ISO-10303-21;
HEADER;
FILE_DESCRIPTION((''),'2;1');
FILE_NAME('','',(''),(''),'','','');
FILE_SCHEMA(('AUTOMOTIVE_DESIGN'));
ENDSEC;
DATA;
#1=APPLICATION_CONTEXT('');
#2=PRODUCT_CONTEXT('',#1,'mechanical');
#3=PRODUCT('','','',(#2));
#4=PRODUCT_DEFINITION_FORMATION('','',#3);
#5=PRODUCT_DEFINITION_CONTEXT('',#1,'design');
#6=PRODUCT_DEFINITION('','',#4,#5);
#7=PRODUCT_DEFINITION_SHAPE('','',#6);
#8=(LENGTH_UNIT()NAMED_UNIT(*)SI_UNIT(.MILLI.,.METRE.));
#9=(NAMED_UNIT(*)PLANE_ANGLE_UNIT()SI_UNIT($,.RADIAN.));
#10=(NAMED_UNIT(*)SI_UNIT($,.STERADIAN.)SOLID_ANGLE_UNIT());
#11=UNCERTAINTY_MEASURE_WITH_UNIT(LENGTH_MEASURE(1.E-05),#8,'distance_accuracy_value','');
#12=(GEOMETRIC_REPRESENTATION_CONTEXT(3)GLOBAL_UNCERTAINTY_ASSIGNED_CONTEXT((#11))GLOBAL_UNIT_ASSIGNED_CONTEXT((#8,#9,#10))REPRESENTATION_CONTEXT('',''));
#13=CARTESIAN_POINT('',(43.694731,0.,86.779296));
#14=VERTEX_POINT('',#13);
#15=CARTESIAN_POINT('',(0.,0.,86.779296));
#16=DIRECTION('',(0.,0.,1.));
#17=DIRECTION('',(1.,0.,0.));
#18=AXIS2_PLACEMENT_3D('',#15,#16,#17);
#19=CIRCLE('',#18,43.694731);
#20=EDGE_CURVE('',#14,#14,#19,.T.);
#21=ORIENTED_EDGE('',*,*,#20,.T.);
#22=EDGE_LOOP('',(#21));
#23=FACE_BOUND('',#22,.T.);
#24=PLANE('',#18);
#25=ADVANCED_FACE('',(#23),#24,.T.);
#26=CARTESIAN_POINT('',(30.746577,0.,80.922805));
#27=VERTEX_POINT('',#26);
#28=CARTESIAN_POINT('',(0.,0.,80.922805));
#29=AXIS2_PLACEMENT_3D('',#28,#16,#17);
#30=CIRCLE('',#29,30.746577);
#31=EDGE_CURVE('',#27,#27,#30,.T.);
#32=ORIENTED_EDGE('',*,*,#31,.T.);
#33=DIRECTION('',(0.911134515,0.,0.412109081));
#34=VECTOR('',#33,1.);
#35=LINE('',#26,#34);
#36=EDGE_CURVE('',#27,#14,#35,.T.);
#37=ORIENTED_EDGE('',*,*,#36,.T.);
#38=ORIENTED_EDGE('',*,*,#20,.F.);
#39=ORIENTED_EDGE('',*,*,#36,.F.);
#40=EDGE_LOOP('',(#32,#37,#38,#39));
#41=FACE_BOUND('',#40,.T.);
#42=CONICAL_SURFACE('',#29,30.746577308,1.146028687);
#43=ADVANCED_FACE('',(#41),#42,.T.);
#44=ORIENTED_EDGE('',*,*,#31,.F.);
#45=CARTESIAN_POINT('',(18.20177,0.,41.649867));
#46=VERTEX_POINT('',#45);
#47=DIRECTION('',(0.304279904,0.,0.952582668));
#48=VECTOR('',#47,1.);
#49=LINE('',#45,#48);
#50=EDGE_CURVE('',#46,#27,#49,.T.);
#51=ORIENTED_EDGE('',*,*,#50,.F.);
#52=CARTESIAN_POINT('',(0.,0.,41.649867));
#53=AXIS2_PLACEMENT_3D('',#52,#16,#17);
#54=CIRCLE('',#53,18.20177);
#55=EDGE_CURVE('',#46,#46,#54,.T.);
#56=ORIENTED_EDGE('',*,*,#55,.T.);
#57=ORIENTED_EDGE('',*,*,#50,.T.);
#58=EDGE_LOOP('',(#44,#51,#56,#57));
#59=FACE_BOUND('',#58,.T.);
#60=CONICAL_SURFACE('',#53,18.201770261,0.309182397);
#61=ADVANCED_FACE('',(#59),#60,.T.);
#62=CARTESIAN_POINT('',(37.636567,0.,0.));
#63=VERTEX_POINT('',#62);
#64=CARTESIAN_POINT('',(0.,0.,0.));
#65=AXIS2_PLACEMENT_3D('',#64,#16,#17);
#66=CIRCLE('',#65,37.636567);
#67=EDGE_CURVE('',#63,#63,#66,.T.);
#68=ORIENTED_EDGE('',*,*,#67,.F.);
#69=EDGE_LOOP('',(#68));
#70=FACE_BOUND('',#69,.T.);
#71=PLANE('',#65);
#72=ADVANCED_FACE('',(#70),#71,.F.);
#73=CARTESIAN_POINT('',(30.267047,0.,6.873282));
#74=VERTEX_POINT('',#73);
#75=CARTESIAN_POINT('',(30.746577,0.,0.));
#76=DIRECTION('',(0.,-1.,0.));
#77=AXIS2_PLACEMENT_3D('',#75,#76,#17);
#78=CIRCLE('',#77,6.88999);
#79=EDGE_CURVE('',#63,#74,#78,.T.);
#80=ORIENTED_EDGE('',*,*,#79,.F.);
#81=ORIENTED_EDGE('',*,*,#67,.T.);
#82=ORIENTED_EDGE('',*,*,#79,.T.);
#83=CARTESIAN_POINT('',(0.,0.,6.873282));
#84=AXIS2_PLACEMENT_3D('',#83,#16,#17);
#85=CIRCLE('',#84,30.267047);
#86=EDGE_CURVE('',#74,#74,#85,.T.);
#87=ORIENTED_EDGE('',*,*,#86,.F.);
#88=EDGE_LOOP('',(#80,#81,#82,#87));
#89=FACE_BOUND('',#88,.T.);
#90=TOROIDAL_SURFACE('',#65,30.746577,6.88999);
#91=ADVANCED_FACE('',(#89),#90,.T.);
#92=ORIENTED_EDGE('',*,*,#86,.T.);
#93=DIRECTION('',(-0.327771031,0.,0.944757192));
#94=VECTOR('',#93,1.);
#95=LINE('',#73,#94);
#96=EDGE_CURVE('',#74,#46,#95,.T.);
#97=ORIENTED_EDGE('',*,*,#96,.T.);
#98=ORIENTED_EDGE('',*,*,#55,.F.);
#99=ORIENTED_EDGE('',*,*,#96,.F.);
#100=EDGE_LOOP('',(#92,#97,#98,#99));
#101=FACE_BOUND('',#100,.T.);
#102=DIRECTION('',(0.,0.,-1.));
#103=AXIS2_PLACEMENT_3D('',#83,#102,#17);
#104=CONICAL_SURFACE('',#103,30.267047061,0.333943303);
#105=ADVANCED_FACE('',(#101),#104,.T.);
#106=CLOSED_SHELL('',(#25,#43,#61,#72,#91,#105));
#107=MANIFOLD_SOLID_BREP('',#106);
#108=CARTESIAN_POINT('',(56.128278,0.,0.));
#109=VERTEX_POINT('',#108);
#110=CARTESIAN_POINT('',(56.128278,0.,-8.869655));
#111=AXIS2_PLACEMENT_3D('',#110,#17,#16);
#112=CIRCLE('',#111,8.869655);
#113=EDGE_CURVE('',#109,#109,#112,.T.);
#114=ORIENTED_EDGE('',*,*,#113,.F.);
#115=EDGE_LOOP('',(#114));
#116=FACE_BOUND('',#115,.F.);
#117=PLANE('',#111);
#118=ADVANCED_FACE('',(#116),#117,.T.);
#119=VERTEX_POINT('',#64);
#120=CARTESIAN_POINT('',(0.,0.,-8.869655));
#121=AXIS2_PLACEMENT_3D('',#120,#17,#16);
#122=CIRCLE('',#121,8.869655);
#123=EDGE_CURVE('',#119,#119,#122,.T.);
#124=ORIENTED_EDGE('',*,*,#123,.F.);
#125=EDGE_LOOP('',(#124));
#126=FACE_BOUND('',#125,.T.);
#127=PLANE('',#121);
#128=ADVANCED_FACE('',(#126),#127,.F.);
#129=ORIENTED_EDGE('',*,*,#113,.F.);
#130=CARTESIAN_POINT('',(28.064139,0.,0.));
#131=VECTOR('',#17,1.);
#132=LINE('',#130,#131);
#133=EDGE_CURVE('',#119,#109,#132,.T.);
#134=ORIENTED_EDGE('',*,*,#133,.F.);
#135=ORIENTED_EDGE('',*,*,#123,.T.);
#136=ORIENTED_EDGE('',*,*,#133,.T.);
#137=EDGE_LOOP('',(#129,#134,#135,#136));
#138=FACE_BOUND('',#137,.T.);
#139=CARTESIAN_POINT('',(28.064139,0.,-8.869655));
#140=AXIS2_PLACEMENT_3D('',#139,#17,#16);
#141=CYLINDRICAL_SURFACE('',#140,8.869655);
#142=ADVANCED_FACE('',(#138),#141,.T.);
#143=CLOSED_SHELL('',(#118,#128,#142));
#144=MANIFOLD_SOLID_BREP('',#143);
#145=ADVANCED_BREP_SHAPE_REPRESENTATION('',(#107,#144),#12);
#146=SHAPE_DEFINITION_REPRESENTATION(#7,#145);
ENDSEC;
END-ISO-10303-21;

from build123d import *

# Parameters (mm, degrees)
F2_W = 56.1282783747
F2_H = 8.8696554303


with BuildPart() as f1:
    # F0 (on Front) → F1 (revolve)
    with BuildSketch(Plane.XZ):
        with BuildLine():
            Line((0, 86.7792963982), (0, 0))
            Line((0, 0), (37.6365669072, 0))
            ThreePointArc((37.6365669072, 0), (35.4459388742, 5.0386464005), (30.2670470605, 6.8732821435))
            Line((30.2670470605, 6.8732821435), (18.2017702609, 41.6498668492))
            Line((18.2017702609, 41.6498668492), (30.7465773076, 80.9228047729))
            Line((30.7465773076, 80.9228047729), (43.6947308481, 86.7792963982))
            Line((43.6947308481, 86.7792963982), (0, 86.7792963982))
        make_face()
    revolve(axis=Axis((0, 0, 103.6321963982), (0, 0, 1)))


with BuildPart() as f3:
    # F2 (on Front) → F3 (revolve)
    with BuildSketch(Plane.XZ):
        with Locations((28.0641391873, -4.4348277152)):
            Rectangle(F2_W, F2_H)
    revolve(axis=Axis((28.0641391873, 0, -8.8696554303), (1, 0, 0)))


solid = Compound([f1.part, f3.part])
